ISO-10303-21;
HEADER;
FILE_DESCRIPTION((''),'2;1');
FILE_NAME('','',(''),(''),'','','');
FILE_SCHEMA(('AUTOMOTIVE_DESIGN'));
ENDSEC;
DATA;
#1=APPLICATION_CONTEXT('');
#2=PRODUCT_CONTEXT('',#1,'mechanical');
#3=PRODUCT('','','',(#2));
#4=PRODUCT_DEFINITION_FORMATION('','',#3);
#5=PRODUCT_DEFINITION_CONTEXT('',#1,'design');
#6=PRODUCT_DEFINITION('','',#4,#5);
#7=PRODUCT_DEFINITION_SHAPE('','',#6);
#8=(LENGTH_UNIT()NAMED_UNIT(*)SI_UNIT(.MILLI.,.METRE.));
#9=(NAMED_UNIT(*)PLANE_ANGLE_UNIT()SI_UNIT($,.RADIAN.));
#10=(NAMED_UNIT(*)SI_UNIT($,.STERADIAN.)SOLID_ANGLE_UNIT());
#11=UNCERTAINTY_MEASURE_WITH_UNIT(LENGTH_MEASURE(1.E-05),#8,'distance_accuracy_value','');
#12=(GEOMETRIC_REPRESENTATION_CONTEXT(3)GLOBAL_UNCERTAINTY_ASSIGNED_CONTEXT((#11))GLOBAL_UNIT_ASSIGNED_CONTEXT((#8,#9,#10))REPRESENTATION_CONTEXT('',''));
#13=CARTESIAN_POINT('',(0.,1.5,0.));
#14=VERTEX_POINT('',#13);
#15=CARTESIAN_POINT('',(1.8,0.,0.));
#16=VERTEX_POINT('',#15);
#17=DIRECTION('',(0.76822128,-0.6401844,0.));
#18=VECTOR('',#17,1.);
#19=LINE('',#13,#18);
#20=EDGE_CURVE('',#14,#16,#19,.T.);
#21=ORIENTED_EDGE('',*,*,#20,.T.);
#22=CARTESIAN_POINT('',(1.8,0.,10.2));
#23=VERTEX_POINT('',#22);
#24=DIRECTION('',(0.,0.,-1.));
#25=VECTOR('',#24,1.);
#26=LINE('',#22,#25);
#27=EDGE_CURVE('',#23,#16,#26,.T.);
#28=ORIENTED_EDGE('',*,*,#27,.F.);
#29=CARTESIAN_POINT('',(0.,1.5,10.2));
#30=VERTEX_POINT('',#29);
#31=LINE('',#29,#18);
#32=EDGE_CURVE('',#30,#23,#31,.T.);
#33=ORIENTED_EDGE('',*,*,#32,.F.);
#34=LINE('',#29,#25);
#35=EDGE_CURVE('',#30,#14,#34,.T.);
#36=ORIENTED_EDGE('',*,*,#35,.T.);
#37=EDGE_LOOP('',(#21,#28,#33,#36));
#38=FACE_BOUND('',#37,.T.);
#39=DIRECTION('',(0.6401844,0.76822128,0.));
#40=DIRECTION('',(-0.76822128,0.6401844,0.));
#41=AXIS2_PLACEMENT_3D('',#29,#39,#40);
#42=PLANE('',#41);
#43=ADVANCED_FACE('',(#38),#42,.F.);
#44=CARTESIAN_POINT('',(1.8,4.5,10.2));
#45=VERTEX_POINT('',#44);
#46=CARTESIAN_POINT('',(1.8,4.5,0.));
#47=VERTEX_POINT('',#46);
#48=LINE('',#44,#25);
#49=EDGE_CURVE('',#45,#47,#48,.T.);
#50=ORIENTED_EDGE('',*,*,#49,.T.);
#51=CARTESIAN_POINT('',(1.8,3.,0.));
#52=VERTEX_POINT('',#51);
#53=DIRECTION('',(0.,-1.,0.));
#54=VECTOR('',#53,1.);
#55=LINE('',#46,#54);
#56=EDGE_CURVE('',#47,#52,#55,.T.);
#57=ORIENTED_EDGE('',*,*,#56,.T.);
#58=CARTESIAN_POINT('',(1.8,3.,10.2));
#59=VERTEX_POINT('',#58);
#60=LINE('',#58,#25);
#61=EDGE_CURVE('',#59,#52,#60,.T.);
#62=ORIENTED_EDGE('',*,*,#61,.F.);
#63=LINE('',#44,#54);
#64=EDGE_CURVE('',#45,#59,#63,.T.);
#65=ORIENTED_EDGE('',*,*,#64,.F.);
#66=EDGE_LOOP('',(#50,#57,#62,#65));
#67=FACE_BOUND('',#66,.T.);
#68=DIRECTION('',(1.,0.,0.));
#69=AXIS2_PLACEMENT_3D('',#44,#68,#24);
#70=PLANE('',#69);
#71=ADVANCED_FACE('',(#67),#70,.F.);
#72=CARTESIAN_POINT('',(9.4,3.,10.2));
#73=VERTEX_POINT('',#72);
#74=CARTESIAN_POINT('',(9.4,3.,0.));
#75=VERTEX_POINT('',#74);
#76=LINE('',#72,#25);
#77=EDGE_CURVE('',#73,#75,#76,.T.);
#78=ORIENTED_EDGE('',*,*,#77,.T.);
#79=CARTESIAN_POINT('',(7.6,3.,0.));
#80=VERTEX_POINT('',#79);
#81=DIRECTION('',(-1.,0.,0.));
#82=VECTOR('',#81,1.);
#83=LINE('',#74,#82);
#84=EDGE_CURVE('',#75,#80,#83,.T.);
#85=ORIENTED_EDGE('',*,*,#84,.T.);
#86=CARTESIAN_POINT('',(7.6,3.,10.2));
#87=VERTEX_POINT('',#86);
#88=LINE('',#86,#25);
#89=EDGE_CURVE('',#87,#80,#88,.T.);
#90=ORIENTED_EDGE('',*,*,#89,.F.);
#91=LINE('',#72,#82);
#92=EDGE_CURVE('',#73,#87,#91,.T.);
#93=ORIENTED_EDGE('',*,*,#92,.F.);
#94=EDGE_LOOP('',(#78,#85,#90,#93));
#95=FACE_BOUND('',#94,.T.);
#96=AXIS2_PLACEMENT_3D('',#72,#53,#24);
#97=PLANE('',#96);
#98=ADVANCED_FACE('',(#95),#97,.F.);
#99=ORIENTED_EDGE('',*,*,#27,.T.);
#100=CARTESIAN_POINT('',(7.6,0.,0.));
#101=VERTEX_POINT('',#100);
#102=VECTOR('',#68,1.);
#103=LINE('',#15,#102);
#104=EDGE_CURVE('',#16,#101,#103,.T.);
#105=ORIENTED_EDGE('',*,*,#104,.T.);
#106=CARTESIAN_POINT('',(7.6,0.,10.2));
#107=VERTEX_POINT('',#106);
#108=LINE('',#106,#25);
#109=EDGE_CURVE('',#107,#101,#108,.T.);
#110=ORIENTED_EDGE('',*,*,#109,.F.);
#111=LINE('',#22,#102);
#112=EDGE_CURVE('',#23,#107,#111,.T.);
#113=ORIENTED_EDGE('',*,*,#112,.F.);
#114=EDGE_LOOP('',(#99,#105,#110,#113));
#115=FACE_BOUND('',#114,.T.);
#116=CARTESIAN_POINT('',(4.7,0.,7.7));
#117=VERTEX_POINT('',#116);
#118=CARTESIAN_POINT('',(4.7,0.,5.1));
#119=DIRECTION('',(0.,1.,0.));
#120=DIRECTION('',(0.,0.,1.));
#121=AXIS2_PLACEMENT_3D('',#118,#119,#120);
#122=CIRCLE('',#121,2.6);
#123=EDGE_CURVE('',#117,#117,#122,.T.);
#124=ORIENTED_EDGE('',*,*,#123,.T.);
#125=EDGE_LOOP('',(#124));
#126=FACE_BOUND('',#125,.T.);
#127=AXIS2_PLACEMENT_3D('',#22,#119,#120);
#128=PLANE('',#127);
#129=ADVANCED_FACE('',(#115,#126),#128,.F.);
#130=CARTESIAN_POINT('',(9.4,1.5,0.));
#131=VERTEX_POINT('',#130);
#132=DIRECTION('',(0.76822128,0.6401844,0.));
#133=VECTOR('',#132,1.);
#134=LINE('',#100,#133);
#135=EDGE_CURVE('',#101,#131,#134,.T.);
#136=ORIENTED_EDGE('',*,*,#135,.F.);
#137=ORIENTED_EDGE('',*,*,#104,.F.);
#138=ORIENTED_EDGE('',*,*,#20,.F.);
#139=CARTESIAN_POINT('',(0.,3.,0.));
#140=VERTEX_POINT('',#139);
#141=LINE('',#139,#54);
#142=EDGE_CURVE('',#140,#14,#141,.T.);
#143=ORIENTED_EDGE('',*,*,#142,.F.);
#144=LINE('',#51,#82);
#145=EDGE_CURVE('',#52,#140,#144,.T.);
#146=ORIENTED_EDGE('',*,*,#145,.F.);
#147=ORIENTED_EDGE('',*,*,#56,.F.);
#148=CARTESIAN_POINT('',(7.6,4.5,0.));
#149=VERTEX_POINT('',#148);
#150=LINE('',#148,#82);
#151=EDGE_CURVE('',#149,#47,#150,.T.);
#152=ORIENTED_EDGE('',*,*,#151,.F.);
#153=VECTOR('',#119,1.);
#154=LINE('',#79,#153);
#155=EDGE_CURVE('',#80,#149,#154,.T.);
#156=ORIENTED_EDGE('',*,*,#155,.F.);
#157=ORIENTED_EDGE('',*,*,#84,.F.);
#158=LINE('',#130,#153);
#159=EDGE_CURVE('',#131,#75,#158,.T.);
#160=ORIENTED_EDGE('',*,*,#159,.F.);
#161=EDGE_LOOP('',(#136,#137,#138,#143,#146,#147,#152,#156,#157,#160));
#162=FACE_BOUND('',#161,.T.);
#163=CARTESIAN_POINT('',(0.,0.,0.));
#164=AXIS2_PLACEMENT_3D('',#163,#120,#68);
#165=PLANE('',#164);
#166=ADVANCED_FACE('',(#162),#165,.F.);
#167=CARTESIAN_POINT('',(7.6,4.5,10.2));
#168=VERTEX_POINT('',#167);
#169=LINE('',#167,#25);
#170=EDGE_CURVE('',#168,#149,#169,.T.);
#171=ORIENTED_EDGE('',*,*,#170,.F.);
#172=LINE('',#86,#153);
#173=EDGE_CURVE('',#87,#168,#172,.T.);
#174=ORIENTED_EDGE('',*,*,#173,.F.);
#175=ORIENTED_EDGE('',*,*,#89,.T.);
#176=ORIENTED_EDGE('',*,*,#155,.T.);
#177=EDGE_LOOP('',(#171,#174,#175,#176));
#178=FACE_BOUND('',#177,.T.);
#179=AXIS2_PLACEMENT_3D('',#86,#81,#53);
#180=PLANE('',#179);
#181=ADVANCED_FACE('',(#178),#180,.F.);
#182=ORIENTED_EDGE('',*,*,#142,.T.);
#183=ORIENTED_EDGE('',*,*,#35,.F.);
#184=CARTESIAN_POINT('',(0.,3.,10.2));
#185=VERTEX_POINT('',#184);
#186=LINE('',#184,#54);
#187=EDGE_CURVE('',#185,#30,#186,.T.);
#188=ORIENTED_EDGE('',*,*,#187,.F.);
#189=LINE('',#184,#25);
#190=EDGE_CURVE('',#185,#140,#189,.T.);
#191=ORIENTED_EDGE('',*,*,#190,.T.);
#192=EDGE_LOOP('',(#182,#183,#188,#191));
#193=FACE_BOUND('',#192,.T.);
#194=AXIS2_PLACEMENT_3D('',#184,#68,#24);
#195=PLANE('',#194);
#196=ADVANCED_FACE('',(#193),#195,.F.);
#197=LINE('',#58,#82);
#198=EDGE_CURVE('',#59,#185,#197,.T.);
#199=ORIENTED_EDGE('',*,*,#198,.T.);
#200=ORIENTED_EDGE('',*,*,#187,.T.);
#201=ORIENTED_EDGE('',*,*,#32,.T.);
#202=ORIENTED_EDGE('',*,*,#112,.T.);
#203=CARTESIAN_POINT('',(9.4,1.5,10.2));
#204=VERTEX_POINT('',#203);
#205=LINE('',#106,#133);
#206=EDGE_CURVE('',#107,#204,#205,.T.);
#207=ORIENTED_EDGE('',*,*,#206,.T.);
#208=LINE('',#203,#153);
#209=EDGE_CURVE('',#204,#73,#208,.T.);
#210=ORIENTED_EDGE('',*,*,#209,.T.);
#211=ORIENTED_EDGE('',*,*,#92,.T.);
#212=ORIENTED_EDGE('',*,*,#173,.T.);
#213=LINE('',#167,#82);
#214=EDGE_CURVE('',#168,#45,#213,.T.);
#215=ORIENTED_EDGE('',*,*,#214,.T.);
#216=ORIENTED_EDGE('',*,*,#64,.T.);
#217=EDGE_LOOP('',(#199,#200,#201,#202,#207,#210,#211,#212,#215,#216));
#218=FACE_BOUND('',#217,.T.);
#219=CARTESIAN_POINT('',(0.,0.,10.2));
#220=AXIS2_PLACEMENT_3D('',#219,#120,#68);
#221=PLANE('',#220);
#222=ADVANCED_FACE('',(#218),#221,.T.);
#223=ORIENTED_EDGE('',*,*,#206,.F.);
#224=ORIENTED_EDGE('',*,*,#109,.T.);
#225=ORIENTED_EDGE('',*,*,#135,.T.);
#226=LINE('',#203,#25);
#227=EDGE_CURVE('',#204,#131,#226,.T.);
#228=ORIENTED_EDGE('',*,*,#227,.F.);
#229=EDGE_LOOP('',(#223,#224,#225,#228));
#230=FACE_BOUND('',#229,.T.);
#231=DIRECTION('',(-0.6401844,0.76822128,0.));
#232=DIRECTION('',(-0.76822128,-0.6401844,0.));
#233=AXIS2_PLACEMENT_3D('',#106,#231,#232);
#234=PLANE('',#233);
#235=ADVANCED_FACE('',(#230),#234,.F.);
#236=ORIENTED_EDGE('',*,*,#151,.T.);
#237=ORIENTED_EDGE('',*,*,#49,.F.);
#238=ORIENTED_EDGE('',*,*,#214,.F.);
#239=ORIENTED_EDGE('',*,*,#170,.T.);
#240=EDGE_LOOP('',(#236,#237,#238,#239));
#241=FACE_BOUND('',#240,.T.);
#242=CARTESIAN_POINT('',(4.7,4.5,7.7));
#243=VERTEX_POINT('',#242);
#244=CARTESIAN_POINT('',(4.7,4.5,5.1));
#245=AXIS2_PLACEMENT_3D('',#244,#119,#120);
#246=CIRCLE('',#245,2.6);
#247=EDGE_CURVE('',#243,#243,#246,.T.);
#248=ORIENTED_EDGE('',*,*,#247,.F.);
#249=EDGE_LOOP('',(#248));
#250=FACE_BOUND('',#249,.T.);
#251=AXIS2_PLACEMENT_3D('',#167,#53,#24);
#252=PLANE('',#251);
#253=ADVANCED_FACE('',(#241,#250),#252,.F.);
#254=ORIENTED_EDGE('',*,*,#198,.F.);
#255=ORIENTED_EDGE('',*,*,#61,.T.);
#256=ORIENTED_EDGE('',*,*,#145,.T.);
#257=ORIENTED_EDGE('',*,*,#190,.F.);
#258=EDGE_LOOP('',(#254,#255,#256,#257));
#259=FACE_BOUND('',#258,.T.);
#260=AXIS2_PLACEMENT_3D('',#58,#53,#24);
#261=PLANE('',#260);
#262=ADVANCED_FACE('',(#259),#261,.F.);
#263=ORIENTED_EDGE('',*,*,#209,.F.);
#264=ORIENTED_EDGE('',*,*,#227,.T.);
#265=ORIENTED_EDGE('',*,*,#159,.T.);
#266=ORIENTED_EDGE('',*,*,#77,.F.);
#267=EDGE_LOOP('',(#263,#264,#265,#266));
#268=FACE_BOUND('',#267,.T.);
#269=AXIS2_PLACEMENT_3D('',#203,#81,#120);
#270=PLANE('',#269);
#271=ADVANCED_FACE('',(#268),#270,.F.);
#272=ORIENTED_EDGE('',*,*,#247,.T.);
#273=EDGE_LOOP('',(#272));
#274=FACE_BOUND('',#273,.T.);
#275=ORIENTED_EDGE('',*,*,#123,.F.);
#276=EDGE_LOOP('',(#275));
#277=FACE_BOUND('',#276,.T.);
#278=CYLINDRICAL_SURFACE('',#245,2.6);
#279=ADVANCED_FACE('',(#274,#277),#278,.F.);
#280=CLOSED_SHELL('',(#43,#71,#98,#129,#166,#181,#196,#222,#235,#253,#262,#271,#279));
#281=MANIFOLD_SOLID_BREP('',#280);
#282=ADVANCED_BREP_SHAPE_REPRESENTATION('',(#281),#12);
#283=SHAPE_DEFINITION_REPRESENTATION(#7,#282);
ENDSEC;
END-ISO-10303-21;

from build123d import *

# Parameters (mm, degrees)
EXTRUDE_1_DEPTH   = 10.2
HOLE_WIZARD_M51_D = 5.2


with BuildPart() as part:
    # Эскиз1 → Бобышка-Вытянуть1 (new body)
    with BuildSketch(Plane.XY):
        Polygon((0, 3), (0, 1.5), (1.8, 0), (7.6, 0), (9.4, 1.5), (9.4, 3), (7.6, 3), (7.6, 4.5), (1.8, 4.5), (1.8, 3), align=None)
    extrude(amount=EXTRUDE_1_DEPTH)

    # Сверло под метчик  спиральное M51 (through all)
    with Locations(Plane(origin=(0, 4.5, 0), x_dir=(1, 0, 0), z_dir=(0, 1, 0))):
        with Locations((4.7, -5.1)):
            Hole(HOLE_WIZARD_M51_D / 2)


solid = part.part
